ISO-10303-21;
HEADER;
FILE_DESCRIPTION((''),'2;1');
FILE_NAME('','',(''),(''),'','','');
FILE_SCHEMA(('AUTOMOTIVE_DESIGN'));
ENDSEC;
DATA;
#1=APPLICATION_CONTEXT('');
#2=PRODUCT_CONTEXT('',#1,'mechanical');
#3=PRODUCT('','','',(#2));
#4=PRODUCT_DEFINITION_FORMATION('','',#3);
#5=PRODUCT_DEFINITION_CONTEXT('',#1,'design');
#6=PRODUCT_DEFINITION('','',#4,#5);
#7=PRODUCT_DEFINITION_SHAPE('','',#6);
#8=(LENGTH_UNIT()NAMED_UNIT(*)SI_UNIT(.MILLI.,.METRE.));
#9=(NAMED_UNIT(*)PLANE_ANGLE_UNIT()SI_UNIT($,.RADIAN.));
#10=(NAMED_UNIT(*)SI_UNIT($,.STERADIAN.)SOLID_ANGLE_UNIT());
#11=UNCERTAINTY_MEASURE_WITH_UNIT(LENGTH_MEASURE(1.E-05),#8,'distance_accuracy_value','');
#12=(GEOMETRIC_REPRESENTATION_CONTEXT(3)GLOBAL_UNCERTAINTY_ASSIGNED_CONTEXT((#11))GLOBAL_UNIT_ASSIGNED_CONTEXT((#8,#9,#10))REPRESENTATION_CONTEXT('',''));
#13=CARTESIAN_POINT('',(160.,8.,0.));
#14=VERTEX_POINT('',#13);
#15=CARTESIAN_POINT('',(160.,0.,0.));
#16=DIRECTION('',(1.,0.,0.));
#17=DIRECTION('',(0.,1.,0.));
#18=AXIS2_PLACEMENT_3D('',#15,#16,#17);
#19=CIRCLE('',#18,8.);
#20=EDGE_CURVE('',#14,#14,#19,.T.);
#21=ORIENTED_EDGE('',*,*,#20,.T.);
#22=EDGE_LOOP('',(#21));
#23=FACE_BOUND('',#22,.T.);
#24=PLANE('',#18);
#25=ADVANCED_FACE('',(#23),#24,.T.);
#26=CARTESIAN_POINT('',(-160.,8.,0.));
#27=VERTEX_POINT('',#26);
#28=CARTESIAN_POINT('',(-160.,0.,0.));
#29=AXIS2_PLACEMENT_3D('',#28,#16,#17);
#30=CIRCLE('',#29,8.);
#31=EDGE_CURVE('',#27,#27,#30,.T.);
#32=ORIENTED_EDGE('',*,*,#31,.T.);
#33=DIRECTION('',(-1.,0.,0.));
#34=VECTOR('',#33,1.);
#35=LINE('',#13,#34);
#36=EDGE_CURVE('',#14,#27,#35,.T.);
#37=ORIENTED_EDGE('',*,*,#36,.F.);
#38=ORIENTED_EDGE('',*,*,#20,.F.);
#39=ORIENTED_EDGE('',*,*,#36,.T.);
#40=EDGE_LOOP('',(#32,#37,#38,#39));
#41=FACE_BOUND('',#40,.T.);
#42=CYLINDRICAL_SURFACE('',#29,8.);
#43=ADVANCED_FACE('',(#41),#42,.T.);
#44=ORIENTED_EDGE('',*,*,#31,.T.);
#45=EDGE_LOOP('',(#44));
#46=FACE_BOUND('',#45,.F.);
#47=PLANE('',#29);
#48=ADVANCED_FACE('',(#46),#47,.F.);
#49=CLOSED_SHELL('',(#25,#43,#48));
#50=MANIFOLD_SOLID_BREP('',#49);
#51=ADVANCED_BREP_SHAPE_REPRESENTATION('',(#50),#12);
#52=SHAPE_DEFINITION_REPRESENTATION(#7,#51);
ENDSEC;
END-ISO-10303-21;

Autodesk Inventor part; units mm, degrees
ref_plane "YZ Plane" through (0, 0, 0) normal (1, 0, 0) x (0, 1, 0)
ref_plane "XZ Plane" through (0, 0, 0) normal (0, 1, 0) x (-1, 0, 0)
sketch "Эскиз1" plane through (0, 0, 0) normal (0, 0, 1) x (1, 0, 0)
  line L0 (160, 8) -> (160, 0)
  line L1 (-160, 0) -> (160, 0)
  line L2 (-224, 0) -> (224, 0) projected
  line L3 (0, 9.6) -> (0, -1.6) projected
  line L4 (-160, 8) -> (-160, 0)
  line L5 (0, 8) -> (0, 0) construction
  line L6 (-224, 0) -> (224, 0) projected
  line L7 (-160, 8) -> (160, 8)
  dimension "d13" = 16
  dimension "d87" = 320
  dimension "d88" = 160
revolve "Базовый элемент" add sketch "Эскиз1" angle 360 about axis through (-160, 0, 0) along (1, 0, 0)
thread "Резьба1" size "M16x1.5" class "6g" standard "ISO Metric profile" length 320
ref_plane "Work Plane1" through (2.75, 0, 0) normal (0, -1, 0) x (1, 0, 0)
equation "\"d13\" = NND"
equation "\"d87\" = NLG"
equation "\"d88\" = 0.5 * NLG"
equation "\"d1\" = GEL"
equation "\"NLG\" = 320"
equation "\"GEL\" = NLG"
equation "\"GAL\" = 0.61345 * PTC"
equation "\"SPD\" = 13.93"
equation "\"d0\" = NND"
equation "\"GUL\" = 0.61345 * PTC"
equation "\"NND\" = 16"
equation "\"GUL1\" = GUL"
equation "\"GAL1\" = GAL"
equation "\"d89\" = -GEL + GUL1"
equation "\"d90\" = -GUL - GEL"
equation "\"PTC\" = 1.5"
equation "\"THREADDIA\" = 16"
equation "\"TOA\" = 30deg"
equation "\"GD1\" = THREADDIA - 1.2269 * PTC"
properties part number "DIN 976-1 - M16 x 1,5 x 320 - A" material "Сталь, мягкая"
